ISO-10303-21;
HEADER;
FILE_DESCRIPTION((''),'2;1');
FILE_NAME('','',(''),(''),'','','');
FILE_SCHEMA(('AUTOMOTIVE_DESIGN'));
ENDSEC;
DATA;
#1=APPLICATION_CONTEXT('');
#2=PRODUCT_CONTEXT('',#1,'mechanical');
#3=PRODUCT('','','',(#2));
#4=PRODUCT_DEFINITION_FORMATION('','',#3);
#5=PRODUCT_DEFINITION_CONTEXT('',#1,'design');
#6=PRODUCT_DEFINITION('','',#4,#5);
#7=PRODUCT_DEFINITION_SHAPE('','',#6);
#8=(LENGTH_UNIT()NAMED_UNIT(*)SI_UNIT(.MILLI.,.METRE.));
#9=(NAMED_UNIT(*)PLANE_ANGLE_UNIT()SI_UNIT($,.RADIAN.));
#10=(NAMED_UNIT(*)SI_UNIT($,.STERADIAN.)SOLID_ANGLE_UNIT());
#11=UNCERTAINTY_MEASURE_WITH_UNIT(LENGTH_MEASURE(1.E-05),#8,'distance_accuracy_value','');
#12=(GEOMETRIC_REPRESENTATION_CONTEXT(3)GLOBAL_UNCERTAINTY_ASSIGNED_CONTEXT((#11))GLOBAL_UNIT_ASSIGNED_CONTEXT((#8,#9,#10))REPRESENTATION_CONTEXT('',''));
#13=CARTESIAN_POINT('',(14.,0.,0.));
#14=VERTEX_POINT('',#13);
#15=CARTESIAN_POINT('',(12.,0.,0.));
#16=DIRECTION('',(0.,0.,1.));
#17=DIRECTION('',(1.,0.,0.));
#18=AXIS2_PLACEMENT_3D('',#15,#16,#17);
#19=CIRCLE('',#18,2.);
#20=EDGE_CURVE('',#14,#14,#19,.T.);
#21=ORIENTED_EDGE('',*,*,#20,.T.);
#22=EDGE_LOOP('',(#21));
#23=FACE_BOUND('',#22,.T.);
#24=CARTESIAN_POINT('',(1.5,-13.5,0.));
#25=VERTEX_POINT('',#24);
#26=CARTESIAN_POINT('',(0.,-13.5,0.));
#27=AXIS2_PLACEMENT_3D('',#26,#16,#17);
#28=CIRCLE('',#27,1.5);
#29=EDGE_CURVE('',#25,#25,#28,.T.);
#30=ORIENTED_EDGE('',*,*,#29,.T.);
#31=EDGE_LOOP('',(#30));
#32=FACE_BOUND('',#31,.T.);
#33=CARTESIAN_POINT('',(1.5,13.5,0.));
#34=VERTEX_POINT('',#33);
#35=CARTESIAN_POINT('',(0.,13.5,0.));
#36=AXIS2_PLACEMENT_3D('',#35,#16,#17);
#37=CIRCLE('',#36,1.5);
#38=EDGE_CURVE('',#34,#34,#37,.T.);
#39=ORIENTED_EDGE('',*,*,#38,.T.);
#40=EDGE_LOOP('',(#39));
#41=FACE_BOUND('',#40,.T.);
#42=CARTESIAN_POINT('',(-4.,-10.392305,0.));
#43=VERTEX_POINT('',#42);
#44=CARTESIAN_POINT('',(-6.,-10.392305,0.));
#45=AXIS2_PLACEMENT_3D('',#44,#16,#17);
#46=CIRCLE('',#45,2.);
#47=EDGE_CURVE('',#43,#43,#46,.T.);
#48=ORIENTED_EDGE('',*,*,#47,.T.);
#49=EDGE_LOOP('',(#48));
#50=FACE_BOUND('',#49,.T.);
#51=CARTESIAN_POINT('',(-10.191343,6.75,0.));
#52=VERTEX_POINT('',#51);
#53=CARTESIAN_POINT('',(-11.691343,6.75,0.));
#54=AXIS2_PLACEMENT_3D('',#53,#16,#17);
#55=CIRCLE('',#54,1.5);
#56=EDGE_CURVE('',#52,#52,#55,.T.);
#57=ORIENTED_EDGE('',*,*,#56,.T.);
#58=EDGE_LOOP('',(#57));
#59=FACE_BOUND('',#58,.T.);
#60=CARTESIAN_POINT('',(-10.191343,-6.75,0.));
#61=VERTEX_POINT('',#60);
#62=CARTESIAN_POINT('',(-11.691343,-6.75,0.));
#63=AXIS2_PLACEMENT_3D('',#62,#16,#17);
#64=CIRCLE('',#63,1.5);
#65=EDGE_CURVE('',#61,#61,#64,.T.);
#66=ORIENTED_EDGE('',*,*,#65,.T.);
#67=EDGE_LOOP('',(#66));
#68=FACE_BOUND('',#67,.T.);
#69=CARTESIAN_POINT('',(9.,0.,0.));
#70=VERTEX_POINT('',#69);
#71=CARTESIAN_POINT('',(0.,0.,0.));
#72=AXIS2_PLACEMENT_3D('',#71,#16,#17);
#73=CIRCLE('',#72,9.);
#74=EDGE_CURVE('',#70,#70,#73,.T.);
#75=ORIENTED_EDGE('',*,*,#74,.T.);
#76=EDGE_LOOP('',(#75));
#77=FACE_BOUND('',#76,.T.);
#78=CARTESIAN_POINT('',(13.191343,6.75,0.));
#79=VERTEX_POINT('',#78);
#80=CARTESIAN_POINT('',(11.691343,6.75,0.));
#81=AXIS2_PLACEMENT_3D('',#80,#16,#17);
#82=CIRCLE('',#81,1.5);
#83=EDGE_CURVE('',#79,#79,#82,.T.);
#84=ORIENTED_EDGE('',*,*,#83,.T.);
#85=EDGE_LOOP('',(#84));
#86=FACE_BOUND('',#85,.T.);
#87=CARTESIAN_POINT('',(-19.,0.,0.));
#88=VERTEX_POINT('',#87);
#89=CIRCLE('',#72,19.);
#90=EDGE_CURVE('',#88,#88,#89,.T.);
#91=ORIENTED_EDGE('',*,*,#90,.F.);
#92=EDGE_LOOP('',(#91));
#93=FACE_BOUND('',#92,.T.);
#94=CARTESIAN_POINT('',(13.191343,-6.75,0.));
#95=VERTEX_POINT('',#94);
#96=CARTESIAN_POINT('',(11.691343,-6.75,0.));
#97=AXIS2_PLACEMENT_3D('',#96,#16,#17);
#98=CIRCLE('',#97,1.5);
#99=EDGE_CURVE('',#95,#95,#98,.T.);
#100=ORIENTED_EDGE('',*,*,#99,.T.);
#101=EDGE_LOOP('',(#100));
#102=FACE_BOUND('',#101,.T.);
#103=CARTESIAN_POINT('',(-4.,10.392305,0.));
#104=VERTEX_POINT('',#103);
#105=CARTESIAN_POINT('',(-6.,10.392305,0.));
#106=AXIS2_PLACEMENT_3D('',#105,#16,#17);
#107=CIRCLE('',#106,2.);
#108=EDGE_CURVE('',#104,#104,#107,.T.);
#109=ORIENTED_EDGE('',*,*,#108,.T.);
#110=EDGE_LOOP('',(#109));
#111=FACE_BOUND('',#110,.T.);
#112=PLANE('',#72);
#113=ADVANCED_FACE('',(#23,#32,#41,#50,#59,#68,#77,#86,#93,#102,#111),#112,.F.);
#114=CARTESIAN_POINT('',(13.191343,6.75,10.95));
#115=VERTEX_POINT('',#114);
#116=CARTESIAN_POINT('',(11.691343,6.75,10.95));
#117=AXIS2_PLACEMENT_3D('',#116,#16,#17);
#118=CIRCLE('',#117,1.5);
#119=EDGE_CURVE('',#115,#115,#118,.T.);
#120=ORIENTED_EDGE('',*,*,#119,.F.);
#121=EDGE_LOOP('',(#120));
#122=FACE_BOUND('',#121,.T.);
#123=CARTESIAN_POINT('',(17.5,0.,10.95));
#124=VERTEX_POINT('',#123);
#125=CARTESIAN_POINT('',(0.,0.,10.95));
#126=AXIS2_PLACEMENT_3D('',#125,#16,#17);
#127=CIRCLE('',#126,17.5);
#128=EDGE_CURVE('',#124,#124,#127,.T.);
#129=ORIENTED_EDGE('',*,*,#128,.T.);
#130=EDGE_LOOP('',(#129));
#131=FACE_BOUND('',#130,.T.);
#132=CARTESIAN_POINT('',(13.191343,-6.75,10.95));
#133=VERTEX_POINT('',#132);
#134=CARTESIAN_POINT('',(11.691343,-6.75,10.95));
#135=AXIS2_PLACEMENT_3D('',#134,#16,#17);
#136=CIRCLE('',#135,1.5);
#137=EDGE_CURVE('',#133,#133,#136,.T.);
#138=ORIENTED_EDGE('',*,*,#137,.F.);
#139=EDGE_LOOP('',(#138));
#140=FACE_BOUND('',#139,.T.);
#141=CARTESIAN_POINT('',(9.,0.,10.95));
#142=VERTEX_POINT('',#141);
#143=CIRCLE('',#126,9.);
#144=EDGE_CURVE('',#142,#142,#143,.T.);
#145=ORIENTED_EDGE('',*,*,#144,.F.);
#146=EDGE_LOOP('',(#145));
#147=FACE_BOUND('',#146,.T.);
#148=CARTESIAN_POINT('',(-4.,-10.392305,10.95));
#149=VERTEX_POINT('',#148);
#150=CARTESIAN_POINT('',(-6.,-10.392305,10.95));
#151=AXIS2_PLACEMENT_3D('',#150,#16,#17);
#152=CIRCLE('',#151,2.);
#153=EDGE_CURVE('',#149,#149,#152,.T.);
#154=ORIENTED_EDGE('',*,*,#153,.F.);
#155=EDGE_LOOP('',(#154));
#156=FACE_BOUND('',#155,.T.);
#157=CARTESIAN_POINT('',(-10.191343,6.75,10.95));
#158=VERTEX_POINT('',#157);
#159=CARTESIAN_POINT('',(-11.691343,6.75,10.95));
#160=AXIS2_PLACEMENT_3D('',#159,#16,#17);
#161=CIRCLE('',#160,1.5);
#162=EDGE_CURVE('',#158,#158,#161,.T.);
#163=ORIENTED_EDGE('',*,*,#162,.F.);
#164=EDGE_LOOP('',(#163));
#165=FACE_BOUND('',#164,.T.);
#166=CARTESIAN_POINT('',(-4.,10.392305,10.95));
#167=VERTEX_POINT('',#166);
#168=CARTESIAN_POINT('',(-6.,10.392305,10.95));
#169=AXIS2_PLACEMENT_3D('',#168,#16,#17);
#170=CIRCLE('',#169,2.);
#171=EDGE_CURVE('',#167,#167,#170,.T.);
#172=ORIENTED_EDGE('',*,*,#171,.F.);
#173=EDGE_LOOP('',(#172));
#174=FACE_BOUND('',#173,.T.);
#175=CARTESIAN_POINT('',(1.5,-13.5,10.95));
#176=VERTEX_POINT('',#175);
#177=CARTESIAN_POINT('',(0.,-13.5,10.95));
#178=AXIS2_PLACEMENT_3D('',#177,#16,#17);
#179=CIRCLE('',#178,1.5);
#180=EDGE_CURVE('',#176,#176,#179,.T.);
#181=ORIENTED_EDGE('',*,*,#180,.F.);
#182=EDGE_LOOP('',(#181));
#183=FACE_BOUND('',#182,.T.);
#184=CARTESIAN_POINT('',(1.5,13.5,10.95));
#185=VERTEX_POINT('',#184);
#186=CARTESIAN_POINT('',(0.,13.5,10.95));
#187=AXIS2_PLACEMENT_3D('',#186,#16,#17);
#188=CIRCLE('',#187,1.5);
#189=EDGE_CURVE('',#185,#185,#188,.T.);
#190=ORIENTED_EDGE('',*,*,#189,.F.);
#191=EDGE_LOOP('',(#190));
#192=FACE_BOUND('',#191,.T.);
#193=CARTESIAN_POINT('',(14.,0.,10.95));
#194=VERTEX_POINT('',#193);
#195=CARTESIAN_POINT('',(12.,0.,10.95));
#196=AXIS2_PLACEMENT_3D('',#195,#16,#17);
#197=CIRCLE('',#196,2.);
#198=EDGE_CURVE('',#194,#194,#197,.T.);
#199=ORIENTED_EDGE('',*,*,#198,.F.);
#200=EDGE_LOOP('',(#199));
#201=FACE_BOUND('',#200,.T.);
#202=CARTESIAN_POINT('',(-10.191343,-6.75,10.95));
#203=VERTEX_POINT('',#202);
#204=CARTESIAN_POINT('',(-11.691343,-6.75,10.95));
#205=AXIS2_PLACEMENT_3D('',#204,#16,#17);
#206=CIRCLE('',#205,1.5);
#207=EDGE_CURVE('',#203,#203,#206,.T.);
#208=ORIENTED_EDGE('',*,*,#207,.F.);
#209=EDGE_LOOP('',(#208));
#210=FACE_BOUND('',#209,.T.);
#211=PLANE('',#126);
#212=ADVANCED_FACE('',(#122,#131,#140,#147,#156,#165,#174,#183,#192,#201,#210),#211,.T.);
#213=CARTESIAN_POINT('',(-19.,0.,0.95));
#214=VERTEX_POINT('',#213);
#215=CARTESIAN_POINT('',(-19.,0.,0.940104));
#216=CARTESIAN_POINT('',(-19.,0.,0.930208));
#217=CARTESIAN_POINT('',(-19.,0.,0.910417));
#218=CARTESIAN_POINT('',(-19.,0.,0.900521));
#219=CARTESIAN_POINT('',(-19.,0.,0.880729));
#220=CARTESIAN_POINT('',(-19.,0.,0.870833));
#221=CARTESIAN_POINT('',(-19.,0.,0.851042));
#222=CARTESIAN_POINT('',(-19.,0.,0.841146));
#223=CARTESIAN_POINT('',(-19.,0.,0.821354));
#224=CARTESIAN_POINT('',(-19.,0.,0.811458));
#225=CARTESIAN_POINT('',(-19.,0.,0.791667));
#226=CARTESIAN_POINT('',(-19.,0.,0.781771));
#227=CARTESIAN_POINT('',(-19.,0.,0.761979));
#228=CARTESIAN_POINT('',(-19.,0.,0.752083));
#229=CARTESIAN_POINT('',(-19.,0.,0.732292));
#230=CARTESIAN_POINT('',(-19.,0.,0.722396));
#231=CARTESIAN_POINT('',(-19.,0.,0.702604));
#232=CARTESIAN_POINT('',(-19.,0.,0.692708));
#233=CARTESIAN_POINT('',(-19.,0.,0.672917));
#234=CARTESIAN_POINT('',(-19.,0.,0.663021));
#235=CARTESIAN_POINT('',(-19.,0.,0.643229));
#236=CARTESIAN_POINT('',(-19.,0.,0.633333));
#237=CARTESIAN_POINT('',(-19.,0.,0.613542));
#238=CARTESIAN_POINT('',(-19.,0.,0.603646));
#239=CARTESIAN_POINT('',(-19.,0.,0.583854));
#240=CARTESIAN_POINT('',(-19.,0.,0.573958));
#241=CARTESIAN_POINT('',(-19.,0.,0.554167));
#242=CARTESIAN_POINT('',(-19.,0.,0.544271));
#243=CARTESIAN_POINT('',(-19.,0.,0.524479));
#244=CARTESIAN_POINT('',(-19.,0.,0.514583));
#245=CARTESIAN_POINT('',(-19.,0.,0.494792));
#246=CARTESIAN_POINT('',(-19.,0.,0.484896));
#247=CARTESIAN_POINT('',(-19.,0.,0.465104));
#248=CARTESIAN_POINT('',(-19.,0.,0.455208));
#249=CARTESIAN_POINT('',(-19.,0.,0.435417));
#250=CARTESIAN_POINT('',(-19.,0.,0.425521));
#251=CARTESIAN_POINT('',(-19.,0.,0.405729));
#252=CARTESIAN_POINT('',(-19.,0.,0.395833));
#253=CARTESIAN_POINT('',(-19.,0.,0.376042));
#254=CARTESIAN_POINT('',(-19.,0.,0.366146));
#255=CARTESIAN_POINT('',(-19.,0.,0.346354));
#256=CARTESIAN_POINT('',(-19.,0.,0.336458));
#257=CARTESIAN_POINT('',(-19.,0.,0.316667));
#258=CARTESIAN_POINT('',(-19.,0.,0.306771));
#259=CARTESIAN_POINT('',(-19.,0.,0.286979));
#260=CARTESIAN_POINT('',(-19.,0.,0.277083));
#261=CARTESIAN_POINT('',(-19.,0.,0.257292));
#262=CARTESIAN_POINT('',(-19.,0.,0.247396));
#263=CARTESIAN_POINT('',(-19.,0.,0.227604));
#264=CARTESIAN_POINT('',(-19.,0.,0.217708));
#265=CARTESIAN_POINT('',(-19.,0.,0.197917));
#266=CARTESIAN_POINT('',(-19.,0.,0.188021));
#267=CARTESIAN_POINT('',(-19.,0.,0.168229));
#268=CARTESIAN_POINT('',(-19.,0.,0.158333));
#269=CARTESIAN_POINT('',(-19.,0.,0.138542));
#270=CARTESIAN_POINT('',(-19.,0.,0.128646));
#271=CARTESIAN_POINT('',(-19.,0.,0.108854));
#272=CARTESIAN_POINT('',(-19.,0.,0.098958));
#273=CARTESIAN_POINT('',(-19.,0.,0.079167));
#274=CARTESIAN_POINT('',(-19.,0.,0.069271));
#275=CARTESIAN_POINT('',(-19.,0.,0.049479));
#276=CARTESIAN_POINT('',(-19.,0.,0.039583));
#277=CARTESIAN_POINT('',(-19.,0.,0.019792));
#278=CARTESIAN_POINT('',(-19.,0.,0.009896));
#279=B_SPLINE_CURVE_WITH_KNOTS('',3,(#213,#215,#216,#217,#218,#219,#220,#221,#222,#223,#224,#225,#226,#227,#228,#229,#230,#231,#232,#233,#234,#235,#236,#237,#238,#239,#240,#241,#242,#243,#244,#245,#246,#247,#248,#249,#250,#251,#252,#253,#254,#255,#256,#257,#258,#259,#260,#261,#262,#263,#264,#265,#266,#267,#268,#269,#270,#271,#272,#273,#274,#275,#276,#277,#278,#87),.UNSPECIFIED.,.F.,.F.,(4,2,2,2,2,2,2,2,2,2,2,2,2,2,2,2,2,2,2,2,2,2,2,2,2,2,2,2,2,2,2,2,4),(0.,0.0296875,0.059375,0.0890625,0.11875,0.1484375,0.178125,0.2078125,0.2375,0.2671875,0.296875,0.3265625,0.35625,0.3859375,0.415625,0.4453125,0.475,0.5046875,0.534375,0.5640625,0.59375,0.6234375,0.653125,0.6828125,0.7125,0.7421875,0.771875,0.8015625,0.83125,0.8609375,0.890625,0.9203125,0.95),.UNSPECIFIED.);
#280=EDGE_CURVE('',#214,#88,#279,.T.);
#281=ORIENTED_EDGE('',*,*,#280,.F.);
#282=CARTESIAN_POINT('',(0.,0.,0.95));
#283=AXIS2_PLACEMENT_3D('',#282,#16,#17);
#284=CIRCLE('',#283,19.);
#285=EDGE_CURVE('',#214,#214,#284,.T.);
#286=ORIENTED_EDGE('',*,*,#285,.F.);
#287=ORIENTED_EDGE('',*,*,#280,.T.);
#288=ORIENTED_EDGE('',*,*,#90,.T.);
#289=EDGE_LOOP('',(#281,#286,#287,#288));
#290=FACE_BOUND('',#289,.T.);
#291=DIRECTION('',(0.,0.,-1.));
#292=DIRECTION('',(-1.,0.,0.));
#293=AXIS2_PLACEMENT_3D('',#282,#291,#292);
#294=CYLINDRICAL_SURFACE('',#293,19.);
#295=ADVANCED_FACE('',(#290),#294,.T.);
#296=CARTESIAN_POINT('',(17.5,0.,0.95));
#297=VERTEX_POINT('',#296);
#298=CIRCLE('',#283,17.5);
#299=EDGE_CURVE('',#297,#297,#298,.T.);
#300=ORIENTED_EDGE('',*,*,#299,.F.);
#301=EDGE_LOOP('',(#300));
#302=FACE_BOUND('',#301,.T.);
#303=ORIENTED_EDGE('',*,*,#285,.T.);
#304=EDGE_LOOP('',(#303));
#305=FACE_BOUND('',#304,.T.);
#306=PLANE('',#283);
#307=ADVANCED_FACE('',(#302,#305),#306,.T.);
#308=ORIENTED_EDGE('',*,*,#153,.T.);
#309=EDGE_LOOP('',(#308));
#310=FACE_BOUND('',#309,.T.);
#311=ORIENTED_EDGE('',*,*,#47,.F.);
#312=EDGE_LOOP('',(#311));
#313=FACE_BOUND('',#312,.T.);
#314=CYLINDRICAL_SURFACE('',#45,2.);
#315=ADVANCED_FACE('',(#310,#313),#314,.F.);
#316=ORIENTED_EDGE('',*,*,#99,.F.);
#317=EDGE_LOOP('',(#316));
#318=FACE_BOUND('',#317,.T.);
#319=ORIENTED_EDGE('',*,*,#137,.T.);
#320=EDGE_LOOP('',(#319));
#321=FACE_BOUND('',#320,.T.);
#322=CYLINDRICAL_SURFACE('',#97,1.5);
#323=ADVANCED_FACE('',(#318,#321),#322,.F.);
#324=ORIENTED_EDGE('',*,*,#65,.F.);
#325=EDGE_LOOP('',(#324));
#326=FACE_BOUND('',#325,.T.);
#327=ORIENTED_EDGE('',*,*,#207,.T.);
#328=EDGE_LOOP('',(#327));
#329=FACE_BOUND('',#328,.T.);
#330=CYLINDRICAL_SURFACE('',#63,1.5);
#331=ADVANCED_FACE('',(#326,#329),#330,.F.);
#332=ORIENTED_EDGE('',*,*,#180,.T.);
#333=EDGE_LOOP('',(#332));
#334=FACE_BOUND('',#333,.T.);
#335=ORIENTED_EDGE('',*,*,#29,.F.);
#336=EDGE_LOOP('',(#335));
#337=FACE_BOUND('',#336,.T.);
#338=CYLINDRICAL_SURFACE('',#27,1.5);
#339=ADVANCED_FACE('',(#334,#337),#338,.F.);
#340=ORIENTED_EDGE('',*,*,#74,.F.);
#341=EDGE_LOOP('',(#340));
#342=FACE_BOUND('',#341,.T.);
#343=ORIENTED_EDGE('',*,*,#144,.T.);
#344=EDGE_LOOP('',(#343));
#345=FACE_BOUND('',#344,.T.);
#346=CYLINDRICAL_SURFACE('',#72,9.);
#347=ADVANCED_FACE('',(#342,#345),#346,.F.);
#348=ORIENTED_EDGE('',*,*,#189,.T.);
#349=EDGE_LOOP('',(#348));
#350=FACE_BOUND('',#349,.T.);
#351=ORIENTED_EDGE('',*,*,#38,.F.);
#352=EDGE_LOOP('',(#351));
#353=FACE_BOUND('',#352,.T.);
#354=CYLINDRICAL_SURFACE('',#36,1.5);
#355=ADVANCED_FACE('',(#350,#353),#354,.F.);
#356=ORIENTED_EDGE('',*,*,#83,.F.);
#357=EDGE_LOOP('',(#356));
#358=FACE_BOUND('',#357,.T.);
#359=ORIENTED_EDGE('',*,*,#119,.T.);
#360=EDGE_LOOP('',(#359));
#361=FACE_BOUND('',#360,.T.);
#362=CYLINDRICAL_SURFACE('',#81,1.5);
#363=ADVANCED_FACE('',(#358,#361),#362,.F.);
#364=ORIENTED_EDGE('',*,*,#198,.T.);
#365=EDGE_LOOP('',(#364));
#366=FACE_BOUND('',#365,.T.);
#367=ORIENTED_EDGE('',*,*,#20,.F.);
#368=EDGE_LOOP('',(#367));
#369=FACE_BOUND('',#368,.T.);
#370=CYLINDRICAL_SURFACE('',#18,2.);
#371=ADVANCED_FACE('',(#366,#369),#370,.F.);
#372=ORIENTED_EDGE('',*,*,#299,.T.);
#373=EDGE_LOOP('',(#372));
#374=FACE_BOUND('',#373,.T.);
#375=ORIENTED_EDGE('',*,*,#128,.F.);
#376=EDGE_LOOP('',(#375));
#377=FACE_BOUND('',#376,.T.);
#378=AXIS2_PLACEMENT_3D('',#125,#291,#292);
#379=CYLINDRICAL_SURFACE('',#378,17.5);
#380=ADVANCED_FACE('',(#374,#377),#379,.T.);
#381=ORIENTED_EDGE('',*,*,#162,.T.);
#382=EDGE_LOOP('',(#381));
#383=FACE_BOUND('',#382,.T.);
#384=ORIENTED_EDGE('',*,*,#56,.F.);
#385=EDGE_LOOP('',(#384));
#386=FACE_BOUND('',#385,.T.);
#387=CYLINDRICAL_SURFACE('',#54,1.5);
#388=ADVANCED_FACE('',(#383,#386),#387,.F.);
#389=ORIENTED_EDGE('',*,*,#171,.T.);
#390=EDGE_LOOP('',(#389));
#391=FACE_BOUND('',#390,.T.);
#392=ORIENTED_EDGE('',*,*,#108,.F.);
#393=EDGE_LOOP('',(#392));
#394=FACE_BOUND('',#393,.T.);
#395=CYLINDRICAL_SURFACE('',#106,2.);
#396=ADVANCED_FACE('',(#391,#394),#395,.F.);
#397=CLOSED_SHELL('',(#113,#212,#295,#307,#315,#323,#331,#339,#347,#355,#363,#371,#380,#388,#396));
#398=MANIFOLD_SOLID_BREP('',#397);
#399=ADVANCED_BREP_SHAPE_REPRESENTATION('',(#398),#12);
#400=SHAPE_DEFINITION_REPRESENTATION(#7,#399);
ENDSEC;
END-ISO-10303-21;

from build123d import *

# Parameters (mm, degrees)
SKETCH_1_R          = 17.5
EXTRUDE_1_DEPTH     = 10.95
SKETCH_1_4_R        = 19
SKETCH_1_4_R_2      = 17.5
EXTRUDE_2_DEPTH     = 0.95
SKETCH_2_R          = 9
SKETCH_2_R_2        = 1.5
SKETCH_2_R_3        = 2
CUT_EXTRUDE_1_DEPTH = 30.015556173


with BuildPart() as part:
    # 草图1 → 凸台-拉伸1 (new body)
    with BuildSketch(Plane.XY):
        Circle(SKETCH_1_R)
    extrude(amount=EXTRUDE_1_DEPTH)

    # 草图1<4> → 凸台-拉伸2 (add)
    with BuildSketch(Plane.XY):
        Circle(SKETCH_1_4_R)
        Circle(SKETCH_1_4_R_2, mode=Mode.SUBTRACT)
    extrude(amount=EXTRUDE_2_DEPTH)

    # 草图2 → 切除-拉伸1 (cut, through all)
    with BuildSketch(Plane.XY.offset(10.95)):
        Circle(SKETCH_2_R)
        with Locations((0, 13.5)):
            Circle(SKETCH_2_R_2)
        with Locations((11.691342951, 6.75)):
            Circle(SKETCH_2_R_2)
        with Locations((11.691342951, -6.75)):
            Circle(SKETCH_2_R_2)
        with Locations((0, -13.5)):
            Circle(SKETCH_2_R_2)
        with Locations((-11.691342951, -6.75)):
            Circle(SKETCH_2_R_2)
        with Locations((-11.691342951, 6.75)):
            Circle(SKETCH_2_R_2)
        with Locations((12, 0)):
            Circle(SKETCH_2_R_3)
        with Locations((-6, -10.392304845)):
            Circle(SKETCH_2_R_3)
        with Locations((-6, 10.392304845)):
            Circle(SKETCH_2_R_3)
    extrude(amount=-CUT_EXTRUDE_1_DEPTH, mode=Mode.SUBTRACT)


solid = part.part
